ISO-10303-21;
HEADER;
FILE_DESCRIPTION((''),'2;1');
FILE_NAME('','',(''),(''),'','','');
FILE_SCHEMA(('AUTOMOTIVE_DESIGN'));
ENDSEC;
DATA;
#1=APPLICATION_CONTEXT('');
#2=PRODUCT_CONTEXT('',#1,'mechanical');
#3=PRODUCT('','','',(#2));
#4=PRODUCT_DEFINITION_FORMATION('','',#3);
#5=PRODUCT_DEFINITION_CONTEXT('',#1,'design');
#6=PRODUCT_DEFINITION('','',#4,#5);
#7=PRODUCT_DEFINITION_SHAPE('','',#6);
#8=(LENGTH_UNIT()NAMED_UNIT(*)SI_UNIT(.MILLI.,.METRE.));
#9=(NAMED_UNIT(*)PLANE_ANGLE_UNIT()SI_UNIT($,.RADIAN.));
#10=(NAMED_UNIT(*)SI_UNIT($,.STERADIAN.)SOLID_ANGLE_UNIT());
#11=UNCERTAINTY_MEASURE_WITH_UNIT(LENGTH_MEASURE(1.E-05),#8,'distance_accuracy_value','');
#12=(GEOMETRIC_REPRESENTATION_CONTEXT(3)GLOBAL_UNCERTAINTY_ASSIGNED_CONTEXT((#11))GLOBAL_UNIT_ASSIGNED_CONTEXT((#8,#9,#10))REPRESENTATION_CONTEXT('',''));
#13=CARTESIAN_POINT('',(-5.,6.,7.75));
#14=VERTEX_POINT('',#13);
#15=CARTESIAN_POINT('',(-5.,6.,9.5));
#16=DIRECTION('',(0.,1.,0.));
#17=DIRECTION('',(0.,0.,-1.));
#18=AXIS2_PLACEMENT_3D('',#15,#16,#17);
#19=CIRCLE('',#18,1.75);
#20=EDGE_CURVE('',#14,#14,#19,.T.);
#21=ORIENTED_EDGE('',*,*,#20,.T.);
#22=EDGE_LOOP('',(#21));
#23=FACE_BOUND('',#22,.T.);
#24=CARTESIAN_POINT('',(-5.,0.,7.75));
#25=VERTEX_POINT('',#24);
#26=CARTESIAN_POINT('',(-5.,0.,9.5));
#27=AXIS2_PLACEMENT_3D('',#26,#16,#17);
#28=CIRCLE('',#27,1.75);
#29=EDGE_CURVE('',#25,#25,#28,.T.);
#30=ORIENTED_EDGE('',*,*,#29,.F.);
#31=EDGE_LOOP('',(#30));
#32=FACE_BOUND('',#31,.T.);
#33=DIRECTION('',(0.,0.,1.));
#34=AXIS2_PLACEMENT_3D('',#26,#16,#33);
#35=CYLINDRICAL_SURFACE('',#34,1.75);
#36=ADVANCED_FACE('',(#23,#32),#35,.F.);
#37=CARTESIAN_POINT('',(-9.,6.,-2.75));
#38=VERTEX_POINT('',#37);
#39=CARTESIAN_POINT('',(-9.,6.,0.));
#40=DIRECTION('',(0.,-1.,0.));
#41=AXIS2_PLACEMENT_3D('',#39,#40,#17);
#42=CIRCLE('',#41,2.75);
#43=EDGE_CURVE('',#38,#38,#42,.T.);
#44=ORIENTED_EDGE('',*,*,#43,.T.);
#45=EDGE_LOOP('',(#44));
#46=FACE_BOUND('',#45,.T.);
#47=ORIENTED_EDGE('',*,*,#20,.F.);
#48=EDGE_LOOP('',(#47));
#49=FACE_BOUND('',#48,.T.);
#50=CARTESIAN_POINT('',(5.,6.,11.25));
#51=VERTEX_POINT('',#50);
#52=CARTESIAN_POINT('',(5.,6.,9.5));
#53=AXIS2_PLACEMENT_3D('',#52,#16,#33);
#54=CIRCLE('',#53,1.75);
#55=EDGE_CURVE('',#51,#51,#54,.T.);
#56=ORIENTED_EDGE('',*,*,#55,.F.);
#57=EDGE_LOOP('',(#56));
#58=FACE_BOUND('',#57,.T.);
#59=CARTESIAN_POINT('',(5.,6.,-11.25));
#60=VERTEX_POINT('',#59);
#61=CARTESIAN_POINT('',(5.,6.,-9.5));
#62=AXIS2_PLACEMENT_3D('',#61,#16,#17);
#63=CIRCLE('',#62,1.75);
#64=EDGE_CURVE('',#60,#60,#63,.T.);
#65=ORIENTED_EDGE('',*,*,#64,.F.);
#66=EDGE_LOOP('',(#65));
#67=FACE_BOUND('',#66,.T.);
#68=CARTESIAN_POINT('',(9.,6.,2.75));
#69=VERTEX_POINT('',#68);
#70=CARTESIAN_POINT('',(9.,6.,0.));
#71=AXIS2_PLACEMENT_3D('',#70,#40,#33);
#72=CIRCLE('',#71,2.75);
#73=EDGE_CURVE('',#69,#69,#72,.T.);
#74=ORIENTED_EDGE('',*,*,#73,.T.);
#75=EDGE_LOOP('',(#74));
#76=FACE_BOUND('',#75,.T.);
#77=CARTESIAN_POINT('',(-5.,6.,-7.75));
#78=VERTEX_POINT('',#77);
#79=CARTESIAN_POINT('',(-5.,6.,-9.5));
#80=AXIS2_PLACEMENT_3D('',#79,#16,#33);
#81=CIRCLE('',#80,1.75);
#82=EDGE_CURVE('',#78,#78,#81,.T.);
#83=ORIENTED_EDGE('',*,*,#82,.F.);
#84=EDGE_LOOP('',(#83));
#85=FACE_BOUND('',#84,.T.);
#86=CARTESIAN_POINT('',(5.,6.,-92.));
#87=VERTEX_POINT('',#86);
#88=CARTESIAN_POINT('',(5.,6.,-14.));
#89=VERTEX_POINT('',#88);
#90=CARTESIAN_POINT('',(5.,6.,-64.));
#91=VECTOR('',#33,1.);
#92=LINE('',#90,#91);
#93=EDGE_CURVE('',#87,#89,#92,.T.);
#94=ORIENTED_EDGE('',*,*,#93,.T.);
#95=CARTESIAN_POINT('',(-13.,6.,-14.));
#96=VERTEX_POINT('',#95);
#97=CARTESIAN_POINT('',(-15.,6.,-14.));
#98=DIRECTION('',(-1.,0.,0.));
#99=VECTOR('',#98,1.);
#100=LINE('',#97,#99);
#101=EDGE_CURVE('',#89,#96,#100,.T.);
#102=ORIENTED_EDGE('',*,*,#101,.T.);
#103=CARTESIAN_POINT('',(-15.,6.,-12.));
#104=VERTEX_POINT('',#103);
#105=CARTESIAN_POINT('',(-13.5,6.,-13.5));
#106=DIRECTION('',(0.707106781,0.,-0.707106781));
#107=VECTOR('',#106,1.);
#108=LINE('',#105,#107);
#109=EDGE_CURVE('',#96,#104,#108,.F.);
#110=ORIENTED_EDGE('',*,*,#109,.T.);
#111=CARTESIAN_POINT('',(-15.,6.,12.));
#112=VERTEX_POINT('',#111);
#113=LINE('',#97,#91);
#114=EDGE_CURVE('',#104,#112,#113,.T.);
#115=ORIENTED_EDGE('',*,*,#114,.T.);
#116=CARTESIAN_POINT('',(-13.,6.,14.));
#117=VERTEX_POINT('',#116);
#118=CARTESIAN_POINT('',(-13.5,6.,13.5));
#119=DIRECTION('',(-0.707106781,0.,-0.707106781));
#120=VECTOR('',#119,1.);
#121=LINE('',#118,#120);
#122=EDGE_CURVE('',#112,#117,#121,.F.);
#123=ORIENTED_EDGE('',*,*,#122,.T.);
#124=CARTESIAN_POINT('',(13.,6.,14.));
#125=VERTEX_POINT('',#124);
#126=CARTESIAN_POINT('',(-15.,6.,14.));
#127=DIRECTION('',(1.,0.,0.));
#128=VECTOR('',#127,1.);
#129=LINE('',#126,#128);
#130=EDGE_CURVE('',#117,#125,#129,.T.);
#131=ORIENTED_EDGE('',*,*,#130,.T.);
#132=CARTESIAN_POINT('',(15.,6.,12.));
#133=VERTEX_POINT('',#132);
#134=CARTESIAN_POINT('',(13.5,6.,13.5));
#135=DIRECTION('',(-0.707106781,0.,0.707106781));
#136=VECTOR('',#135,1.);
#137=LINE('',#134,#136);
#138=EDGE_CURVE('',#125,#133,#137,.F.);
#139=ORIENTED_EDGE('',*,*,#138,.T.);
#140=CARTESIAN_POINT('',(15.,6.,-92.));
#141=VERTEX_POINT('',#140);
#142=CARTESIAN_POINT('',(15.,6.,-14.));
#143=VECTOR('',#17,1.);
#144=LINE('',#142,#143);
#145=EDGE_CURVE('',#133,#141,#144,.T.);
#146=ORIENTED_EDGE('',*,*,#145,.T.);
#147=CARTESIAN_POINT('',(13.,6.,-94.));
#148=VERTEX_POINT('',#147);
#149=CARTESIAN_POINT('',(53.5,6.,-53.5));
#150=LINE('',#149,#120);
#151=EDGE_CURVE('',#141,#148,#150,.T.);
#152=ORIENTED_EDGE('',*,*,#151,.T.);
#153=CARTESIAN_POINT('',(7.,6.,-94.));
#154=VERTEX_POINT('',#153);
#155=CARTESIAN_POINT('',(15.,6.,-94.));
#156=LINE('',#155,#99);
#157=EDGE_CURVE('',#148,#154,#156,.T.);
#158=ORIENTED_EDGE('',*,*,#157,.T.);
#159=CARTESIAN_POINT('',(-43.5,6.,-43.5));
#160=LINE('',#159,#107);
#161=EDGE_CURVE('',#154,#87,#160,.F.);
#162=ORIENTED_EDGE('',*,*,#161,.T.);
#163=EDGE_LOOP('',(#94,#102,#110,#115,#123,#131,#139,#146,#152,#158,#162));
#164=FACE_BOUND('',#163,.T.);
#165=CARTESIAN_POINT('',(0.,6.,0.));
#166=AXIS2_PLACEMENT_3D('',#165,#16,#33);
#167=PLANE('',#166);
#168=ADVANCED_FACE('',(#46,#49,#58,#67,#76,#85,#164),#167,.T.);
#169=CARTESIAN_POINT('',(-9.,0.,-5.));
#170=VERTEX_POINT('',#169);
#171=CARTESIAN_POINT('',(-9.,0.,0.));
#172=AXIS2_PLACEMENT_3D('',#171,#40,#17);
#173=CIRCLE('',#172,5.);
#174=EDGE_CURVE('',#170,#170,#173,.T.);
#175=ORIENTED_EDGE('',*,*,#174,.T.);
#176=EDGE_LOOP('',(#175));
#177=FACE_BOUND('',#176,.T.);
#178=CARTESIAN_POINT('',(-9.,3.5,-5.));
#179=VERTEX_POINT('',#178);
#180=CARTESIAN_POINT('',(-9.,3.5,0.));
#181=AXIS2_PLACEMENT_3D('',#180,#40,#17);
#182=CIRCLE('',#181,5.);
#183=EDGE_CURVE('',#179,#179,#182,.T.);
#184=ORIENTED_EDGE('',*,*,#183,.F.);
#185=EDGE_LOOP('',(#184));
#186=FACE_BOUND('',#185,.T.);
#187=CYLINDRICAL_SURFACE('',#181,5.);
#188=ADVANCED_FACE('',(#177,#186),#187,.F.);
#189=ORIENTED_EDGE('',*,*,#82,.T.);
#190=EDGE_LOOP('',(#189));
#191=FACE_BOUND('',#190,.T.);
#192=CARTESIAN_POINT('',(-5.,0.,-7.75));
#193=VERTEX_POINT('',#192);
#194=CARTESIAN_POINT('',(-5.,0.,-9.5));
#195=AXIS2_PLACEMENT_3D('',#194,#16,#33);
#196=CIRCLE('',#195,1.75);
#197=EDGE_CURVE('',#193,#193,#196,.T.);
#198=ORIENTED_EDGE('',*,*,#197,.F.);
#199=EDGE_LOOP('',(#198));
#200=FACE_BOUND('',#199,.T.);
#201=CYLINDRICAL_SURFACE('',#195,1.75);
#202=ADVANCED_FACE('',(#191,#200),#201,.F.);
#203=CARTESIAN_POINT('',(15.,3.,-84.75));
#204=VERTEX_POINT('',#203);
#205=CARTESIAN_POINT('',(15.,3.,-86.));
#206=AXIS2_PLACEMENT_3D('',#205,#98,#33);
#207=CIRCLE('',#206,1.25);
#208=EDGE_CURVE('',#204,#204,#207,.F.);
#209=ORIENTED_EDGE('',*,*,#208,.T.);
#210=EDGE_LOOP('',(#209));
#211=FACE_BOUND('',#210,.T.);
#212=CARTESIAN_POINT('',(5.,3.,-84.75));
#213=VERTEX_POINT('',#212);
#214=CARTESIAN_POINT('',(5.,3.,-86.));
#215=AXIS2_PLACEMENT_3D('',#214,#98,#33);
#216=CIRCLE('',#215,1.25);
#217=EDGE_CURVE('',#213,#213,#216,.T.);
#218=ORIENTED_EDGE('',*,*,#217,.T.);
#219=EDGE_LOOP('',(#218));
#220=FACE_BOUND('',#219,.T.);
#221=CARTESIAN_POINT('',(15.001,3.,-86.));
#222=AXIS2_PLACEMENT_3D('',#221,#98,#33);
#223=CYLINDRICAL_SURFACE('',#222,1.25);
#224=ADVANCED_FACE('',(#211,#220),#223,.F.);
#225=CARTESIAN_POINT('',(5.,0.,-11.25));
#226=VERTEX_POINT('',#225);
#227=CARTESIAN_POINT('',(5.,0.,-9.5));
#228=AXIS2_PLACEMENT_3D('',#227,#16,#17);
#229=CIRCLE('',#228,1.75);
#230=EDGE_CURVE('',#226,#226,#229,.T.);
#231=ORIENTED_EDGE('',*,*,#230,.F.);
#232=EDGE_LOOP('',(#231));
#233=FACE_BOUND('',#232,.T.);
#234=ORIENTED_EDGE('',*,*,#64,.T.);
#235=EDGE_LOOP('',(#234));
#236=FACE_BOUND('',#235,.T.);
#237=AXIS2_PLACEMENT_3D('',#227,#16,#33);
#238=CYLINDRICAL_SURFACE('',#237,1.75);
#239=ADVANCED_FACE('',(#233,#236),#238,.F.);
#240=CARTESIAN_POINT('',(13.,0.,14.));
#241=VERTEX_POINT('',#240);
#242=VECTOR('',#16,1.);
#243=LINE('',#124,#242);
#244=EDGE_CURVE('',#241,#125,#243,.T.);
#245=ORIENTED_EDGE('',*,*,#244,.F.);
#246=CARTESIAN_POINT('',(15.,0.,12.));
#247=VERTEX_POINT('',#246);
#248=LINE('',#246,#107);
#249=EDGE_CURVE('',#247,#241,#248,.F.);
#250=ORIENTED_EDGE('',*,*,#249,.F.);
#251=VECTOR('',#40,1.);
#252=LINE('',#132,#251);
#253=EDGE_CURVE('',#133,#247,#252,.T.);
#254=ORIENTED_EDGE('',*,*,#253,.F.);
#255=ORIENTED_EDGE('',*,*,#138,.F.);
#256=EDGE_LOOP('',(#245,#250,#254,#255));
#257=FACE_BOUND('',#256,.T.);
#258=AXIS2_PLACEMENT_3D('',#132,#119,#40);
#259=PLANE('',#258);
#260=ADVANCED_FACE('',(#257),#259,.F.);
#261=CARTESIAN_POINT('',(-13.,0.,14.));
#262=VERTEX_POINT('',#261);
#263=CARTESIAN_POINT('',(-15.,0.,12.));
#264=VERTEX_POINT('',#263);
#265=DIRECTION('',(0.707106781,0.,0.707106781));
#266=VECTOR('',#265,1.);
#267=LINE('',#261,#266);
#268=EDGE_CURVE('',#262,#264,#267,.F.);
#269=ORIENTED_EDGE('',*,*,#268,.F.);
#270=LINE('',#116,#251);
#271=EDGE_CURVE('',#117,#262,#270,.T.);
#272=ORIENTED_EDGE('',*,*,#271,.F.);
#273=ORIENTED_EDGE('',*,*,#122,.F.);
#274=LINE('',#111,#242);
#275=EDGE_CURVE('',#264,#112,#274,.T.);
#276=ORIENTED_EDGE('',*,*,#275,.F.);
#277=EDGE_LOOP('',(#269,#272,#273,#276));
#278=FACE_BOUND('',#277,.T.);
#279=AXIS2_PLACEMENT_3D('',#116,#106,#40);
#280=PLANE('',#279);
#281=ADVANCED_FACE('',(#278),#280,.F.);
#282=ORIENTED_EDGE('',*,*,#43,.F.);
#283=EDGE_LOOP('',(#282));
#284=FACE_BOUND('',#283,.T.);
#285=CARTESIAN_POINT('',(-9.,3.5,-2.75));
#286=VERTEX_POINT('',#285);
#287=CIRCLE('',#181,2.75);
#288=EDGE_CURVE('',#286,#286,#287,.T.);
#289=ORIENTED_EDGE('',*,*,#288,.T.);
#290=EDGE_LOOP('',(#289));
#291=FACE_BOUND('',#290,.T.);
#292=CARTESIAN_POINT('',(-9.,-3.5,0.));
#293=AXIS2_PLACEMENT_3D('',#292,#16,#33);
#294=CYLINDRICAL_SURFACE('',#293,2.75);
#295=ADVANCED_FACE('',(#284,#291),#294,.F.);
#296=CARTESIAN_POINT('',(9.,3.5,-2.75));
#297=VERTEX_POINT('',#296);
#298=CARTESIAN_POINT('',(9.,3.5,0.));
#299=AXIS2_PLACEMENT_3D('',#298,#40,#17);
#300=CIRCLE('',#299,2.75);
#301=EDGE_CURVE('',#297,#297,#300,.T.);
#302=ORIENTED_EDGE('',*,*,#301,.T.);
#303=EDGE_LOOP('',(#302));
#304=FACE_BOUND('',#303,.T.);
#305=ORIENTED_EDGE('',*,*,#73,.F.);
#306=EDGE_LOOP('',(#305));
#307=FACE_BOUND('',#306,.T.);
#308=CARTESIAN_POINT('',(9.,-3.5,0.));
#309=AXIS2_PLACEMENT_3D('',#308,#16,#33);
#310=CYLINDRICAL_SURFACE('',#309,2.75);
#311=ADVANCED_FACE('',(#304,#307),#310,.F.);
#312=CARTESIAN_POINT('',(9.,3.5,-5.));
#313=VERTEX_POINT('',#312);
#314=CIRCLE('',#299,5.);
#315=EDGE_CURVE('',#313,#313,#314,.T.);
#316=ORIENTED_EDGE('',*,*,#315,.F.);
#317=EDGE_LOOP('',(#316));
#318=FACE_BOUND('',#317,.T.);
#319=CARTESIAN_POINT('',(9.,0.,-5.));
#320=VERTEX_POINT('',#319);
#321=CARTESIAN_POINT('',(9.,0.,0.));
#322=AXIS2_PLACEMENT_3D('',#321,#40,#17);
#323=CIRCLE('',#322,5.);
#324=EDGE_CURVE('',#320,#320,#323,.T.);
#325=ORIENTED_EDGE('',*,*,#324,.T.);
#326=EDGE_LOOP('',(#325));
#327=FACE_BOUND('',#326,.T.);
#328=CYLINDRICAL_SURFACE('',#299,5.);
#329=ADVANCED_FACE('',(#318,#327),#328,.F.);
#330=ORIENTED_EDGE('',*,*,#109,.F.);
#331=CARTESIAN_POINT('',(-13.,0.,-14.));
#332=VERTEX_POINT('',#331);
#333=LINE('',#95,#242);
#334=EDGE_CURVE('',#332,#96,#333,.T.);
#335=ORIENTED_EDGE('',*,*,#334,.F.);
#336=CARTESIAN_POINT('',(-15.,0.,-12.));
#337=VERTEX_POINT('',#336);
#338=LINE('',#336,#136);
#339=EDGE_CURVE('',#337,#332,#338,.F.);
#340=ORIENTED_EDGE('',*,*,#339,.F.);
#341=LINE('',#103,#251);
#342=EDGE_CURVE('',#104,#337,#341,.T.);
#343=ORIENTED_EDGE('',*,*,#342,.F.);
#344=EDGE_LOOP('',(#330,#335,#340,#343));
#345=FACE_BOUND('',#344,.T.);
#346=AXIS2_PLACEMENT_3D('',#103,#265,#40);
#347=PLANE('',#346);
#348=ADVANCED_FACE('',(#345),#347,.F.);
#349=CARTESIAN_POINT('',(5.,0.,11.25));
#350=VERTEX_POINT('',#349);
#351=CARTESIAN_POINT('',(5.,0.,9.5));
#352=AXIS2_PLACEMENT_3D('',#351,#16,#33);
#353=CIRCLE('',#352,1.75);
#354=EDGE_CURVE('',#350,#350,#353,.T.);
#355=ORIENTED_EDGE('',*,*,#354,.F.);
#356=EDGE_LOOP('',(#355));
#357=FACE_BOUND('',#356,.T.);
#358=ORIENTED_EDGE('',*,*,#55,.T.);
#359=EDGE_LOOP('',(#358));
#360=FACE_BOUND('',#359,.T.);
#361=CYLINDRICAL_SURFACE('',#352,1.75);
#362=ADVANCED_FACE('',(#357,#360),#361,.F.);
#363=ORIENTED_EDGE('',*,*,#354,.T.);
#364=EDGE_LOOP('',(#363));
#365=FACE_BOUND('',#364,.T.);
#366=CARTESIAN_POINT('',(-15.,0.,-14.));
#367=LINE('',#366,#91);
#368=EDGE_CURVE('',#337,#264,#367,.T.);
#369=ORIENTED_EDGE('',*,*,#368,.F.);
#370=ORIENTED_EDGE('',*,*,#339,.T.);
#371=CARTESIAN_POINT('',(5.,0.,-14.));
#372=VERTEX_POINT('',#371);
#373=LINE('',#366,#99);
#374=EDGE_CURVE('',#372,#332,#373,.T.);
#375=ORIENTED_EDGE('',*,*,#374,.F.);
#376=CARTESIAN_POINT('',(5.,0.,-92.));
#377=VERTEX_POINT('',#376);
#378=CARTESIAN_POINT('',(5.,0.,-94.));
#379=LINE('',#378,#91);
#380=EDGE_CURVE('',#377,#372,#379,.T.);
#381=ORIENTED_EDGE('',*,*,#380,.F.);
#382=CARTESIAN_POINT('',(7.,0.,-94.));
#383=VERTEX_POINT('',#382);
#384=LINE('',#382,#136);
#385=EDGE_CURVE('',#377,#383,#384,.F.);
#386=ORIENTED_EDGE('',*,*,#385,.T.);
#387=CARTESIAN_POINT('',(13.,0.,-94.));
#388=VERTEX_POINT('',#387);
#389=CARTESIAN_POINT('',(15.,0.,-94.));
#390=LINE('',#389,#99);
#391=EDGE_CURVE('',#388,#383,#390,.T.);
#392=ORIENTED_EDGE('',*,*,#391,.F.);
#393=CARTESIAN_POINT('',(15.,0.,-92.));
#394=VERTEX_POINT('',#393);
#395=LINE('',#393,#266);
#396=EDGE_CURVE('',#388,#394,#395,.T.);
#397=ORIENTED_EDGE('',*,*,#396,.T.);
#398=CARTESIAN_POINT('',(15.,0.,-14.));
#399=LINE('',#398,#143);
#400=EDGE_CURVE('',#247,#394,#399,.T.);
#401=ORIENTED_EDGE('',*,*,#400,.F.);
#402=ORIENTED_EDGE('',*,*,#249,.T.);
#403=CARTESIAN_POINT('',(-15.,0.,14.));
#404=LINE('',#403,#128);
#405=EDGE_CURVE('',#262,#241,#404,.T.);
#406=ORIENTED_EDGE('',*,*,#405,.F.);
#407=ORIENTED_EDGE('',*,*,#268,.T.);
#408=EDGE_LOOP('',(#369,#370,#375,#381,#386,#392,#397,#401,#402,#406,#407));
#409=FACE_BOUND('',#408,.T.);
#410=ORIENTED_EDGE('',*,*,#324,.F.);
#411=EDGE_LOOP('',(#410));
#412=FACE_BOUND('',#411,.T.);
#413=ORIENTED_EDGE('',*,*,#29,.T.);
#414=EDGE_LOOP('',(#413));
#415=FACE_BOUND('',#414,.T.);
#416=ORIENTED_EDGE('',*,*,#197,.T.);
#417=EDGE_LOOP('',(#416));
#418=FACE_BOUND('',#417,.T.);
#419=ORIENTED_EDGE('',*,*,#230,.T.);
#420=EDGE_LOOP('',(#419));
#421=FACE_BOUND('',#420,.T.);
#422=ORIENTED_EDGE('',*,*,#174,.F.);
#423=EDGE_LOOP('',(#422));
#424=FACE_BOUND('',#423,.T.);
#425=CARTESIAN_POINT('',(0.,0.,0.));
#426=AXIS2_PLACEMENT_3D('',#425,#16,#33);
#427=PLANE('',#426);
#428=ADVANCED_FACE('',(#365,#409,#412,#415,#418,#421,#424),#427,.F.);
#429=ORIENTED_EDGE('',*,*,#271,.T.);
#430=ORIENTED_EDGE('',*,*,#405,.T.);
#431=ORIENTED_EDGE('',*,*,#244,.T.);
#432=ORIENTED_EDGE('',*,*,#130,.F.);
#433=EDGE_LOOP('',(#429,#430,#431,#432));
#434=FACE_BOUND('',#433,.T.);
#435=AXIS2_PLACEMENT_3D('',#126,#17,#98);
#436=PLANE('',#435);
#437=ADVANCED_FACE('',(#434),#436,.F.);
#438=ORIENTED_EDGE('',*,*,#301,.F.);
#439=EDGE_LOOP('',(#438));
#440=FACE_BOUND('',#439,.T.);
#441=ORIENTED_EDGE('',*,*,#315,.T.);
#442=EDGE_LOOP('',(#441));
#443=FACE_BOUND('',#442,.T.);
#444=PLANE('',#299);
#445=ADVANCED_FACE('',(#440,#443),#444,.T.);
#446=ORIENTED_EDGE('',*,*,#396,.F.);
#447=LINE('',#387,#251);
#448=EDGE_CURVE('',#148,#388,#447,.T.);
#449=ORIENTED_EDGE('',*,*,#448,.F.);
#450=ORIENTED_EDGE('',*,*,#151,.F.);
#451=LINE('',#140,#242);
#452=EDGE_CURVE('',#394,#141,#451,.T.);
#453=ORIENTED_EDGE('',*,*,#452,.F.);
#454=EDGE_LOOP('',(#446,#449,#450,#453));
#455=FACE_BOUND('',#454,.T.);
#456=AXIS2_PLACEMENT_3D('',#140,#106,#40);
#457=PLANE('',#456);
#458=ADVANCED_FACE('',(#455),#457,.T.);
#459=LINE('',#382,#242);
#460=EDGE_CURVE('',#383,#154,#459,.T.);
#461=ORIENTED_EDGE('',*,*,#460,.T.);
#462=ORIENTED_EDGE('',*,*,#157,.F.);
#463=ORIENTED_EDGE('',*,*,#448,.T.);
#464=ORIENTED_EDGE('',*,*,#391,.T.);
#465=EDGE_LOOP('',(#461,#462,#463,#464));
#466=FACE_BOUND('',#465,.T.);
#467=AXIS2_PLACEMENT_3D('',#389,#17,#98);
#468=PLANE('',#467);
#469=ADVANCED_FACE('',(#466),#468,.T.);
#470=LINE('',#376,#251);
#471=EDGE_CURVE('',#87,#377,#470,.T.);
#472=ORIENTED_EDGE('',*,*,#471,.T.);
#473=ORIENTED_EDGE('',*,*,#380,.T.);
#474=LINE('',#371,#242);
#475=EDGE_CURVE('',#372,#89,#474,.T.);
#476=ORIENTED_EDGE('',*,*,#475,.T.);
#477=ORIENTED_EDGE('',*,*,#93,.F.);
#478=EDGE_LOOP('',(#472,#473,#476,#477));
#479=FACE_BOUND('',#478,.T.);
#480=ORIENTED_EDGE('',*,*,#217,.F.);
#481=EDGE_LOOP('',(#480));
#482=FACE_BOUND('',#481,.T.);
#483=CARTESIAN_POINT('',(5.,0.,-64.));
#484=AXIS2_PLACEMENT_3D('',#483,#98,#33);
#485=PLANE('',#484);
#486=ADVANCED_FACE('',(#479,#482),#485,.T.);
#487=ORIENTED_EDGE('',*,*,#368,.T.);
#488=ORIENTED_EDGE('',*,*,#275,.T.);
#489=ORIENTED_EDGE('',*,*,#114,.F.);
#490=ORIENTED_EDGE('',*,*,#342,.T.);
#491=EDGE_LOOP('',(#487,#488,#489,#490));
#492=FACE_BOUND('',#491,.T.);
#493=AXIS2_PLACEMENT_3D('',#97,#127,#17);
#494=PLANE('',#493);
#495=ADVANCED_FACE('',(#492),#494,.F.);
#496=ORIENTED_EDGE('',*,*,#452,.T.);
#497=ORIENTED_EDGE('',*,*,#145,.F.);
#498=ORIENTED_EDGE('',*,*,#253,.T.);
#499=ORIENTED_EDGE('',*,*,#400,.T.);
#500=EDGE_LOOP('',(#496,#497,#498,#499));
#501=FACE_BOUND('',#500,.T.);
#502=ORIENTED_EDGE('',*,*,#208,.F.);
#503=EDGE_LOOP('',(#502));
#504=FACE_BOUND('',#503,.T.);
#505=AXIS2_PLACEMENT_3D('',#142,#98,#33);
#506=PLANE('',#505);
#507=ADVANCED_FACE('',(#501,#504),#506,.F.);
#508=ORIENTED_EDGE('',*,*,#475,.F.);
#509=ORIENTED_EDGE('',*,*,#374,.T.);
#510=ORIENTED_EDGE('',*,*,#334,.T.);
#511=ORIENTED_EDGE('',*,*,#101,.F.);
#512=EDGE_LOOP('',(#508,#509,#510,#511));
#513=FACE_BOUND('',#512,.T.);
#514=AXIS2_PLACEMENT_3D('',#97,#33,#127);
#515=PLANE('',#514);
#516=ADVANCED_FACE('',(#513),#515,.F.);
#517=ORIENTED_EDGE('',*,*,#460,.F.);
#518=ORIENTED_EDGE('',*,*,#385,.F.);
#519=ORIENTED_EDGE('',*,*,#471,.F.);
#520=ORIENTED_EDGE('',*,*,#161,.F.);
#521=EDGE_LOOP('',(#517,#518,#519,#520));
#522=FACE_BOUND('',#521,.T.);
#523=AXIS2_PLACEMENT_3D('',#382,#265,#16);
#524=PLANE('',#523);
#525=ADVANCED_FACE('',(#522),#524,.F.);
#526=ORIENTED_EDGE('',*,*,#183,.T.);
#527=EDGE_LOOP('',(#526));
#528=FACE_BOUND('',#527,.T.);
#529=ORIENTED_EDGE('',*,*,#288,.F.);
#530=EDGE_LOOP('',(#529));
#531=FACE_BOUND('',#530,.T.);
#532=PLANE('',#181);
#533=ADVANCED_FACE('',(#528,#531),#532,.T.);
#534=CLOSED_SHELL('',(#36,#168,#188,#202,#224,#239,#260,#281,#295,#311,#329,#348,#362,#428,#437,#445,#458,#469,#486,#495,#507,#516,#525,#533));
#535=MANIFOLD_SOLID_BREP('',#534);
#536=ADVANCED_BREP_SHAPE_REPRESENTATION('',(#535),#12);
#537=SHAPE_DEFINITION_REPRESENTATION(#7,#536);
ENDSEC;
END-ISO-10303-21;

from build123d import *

# Parameters (mm, degrees)
SKETCH_1_W               = 30
SKETCH_1_H               = 28
EXTRUDE_1_DEPTH          = 6
SKETCH_2_R               = 1.75
CUT_EXTRUDE_1_DEPTH      = 7
SKETCH_4_R               = 2.75
CUT_EXTRUDE_4_DEPTH      = 3.5
CUT_EXTRUDE_4_DEPTH_BACK = 7
EXTRUDE_2_DEPTH          = 6
SKETCH_6_R               = 5
CUT_EXTRUDE_5_DEPTH      = 3.5
CHAMFER_1_SIZE           = 2
CUT_EXTRUDE_6_REACH      = 12
SKETCH_8_R               = 1.25


with BuildPart() as part:
    # 草图1 → 凸台-拉伸1 (new body)
    with BuildSketch(Plane(origin=(0, 0, 0), x_dir=(1, 0, 0), z_dir=(0, 1, 0))):
        Rectangle(SKETCH_1_W, SKETCH_1_H)
    extrude(amount=EXTRUDE_1_DEPTH)

    # 草图2 → 切除-拉伸1 (cut, through all)
    with BuildSketch(Plane(origin=(0, 6, 0), x_dir=(1, 0, 0), z_dir=(0, 1, 0))):
        with Locations((-5, 9.5)):
            Circle(SKETCH_2_R)
        with Locations((5, 9.5)):
            Circle(SKETCH_2_R)
        with Locations((-5, -9.5)):
            Circle(SKETCH_2_R)
        with Locations((5, -9.5)):
            Circle(SKETCH_2_R)
    extrude(amount=-CUT_EXTRUDE_1_DEPTH, mode=Mode.SUBTRACT)

    # 草图4 → 切除-拉伸4 (cut, two sides)
    with BuildSketch(Plane.XZ) as cut_extrude_4_sk:
        with Locations((-9, 0)):
            Circle(SKETCH_4_R)
        with Locations((9, 0)):
            Circle(SKETCH_4_R)
    extrude(amount=CUT_EXTRUDE_4_DEPTH, mode=Mode.SUBTRACT)
    extrude(cut_extrude_4_sk.sketch, amount=-CUT_EXTRUDE_4_DEPTH_BACK, mode=Mode.SUBTRACT)

    # 草图7 → 凸台-拉伸2 (add)
    with BuildSketch(Plane(origin=(0, 6, 0), x_dir=(1, 0, 0), z_dir=(0, 1, 0))):
        Polygon((15, 74), (15, 14), (5, 14), (5, 64), (5, 94), (15, 94), align=None)
    extrude(amount=-EXTRUDE_2_DEPTH)

    # 草图6 → 切除-拉伸5 (cut)
    with BuildSketch(Plane.XZ):
        with Locations((-9, 0)):
            Circle(SKETCH_6_R)
        with Locations((9, 0)):
            Circle(SKETCH_6_R)
    extrude(amount=-CUT_EXTRUDE_5_DEPTH, mode=Mode.SUBTRACT)

    # 倒角1
    chamfer_1_edges = [part.edges().sort_by_distance(p)[0] for p in [
        (5, 3, -94),
        (15, 3, -94),
        (15, 3, 14),
        (-15, 3, 14),
        (-15, 3, -14),
    ]]
    chamfer(chamfer_1_edges, length=CHAMFER_1_SIZE)

    # 草图8 → 切除-拉伸6 (cut, up to next)
    with BuildSketch(Plane.ZY.offset(-5), mode=Mode.PRIVATE) as cut_extrude_6_sk1:
        with Locations((-86, 3)):
            Circle(SKETCH_8_R)
    cut_extrude_6_tool1 = extrude(cut_extrude_6_sk1.sketch, amount=-CUT_EXTRUDE_6_REACH, mode=Mode.PRIVATE) & part.part
    add(cut_extrude_6_tool1.solids().sort_by_distance((5, 3, -86))[0], mode=Mode.SUBTRACT)


solid = part.part
